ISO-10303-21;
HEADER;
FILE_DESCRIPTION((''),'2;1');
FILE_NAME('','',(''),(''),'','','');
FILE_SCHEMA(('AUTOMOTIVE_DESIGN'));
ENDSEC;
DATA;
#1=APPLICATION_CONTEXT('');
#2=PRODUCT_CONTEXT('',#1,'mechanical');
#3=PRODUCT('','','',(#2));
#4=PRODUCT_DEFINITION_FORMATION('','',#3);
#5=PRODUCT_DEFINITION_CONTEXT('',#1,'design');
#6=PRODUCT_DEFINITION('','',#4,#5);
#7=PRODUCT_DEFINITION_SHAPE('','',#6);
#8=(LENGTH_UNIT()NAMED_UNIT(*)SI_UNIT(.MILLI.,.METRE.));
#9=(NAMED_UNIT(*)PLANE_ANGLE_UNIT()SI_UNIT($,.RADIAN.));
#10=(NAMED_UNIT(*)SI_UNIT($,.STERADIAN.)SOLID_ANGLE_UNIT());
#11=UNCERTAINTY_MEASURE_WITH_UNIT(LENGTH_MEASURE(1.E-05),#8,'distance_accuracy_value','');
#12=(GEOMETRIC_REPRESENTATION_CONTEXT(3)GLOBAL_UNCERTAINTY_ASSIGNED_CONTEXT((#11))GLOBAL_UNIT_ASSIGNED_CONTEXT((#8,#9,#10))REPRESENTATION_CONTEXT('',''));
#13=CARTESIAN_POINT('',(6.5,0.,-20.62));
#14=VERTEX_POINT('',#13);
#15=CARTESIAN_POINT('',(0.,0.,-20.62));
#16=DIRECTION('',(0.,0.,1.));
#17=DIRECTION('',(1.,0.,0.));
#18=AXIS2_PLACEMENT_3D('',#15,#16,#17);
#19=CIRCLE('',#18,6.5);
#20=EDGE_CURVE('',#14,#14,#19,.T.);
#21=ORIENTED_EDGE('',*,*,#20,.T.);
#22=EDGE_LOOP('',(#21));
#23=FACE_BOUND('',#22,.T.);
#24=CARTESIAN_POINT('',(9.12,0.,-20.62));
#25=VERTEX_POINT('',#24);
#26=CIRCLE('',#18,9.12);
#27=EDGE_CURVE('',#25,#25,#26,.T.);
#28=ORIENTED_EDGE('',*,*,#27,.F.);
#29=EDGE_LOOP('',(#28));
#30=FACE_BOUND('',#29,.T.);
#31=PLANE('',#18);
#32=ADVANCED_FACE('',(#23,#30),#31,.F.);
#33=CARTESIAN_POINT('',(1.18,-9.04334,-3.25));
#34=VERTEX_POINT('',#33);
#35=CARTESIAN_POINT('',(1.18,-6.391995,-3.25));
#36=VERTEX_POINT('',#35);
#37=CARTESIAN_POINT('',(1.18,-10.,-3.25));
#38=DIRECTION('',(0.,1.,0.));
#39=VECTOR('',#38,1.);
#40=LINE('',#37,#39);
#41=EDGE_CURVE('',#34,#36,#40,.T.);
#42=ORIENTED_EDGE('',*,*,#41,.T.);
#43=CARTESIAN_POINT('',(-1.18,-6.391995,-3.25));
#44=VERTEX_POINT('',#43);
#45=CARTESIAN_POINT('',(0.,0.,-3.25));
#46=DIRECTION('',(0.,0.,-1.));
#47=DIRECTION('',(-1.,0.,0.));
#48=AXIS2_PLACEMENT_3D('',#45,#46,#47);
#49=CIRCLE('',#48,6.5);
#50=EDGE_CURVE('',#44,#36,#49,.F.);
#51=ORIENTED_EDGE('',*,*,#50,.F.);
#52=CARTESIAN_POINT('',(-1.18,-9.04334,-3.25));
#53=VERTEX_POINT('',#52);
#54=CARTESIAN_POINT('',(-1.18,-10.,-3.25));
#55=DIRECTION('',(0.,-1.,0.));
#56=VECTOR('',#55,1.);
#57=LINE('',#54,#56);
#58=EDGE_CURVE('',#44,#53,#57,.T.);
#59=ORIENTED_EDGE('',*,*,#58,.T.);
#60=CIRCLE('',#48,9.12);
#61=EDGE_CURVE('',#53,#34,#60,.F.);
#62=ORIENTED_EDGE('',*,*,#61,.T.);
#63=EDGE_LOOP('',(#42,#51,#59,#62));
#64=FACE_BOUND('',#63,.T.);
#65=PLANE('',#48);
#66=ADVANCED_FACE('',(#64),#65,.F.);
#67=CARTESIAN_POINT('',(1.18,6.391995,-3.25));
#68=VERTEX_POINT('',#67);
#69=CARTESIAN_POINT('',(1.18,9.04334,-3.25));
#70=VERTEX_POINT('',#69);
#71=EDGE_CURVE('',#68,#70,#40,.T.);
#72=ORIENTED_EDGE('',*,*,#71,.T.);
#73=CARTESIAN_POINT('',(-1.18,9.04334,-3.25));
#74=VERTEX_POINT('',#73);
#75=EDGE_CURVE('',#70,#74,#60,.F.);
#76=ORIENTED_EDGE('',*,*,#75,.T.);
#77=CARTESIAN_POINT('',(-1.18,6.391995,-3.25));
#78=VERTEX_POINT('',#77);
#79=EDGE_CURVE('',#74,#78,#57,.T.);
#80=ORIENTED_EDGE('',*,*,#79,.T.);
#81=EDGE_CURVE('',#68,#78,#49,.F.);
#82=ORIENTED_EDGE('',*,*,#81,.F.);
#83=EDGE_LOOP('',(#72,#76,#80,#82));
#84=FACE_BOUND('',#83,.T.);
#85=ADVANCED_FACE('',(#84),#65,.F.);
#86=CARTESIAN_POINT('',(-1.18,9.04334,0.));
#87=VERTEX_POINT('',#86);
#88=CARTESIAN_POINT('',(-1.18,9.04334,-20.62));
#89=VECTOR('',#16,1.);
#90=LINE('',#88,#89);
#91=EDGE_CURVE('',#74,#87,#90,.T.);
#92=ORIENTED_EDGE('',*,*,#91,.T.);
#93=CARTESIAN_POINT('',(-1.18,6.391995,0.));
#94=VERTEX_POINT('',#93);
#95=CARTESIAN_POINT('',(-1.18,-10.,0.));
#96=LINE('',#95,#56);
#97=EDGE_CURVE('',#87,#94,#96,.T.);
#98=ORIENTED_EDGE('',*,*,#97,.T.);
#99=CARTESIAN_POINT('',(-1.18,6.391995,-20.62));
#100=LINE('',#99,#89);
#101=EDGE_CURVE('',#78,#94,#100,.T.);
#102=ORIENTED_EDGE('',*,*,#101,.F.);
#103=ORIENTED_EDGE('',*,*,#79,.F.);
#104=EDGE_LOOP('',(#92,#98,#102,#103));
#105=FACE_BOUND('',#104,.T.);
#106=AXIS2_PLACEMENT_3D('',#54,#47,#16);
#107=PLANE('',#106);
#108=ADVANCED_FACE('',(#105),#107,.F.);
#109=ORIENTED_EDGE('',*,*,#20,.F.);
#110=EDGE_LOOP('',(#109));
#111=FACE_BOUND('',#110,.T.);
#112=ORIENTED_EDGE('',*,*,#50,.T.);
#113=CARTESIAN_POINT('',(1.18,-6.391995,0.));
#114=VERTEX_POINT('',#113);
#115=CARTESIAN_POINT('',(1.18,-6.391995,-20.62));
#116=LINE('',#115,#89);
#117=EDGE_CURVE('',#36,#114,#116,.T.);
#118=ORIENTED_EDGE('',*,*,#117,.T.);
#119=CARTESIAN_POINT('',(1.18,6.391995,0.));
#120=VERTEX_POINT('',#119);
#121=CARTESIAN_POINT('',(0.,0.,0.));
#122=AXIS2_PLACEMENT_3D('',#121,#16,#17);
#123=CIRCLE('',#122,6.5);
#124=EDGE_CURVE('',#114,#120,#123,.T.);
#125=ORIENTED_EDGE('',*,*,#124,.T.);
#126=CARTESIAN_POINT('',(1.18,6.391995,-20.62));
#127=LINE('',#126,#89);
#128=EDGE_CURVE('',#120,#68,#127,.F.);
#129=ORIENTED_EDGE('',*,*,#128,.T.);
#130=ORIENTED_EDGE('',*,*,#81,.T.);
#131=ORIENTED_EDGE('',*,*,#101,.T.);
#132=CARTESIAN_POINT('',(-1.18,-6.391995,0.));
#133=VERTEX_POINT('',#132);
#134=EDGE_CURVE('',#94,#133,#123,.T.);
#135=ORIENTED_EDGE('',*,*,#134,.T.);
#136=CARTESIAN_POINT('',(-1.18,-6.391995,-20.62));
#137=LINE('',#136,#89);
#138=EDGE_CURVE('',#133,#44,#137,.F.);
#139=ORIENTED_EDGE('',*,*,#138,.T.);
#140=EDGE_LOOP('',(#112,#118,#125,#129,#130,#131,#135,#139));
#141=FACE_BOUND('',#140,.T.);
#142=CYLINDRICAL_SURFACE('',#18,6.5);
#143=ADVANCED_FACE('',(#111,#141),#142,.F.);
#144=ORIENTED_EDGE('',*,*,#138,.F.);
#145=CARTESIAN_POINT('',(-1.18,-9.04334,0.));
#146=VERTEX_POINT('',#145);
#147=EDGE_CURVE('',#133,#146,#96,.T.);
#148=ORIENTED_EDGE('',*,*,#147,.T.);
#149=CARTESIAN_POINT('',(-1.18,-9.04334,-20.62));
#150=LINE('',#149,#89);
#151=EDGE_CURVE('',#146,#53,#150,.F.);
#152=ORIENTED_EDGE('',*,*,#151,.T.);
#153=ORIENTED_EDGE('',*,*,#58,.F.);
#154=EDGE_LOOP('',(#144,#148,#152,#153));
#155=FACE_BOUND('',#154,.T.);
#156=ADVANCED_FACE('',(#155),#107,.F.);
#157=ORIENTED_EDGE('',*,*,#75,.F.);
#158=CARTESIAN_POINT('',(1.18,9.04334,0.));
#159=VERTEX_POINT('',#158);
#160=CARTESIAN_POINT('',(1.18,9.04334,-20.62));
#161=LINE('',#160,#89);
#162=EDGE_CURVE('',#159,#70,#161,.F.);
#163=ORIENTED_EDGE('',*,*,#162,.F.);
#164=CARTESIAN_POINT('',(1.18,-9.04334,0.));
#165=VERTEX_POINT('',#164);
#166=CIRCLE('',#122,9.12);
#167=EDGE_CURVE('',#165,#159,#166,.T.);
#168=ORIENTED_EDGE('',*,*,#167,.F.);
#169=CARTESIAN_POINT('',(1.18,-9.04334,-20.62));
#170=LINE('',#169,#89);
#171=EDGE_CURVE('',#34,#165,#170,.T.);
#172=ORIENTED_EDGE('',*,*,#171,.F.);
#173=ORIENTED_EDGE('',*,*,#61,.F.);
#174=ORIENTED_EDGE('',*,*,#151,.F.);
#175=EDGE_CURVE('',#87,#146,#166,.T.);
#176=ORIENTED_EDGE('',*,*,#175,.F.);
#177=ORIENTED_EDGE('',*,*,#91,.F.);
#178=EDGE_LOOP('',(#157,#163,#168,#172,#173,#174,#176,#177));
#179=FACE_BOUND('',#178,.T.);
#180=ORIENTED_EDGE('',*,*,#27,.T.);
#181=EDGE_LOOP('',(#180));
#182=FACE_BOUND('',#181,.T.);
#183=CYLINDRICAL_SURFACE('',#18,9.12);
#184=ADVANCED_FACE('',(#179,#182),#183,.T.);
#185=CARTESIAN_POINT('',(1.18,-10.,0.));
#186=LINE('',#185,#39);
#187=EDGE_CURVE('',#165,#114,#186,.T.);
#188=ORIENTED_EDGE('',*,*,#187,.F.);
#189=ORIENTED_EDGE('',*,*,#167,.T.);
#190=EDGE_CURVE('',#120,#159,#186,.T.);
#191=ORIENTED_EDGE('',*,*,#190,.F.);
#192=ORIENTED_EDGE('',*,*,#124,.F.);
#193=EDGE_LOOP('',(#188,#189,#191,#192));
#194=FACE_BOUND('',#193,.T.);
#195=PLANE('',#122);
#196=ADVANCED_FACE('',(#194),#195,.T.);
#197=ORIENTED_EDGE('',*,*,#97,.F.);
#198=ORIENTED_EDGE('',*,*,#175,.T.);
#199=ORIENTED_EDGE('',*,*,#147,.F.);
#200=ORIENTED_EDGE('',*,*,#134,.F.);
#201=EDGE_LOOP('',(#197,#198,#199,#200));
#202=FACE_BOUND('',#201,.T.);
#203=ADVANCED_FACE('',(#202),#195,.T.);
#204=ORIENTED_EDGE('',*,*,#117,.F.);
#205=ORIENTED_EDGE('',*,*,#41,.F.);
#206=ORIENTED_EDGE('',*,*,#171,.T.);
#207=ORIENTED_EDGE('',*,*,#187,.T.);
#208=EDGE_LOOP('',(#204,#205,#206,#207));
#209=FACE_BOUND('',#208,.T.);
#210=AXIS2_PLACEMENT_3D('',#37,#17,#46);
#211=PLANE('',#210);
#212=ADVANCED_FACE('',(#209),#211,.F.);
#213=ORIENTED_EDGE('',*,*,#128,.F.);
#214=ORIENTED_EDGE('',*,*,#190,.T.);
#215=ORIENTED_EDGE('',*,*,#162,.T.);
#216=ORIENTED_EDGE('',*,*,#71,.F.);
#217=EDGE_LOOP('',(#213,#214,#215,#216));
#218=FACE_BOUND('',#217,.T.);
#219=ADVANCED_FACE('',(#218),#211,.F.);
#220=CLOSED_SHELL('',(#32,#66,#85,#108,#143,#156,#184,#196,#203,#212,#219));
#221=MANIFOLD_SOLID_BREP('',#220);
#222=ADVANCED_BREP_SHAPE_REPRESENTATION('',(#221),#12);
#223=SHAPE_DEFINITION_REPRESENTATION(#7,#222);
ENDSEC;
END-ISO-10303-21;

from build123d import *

# Parameters (mm, degrees)
CROQUIS1_R            = 9.12
CROQUIS1_R_2          = 6.5
EXTRUIR_L_MINA1_DEPTH = 20.62
CROQUIS2_W            = 2.36
CROQUIS2_H            = 20
CORTAR_EXTRUIR1_DEPTH = 3.25


with BuildPart() as part:
    # Croquis1 → Extruir-Lámina1 (new body)
    with BuildSketch(Plane.XY):
        Circle(CROQUIS1_R)
        Circle(CROQUIS1_R_2, mode=Mode.SUBTRACT)
    extrude(amount=-EXTRUIR_L_MINA1_DEPTH)

    # Croquis2 → Cortar-Extruir1 (cut)
    with BuildSketch(Plane.XY):
        Rectangle(CROQUIS2_W, CROQUIS2_H)
    extrude(amount=-CORTAR_EXTRUIR1_DEPTH, mode=Mode.SUBTRACT)


solid = part.part
